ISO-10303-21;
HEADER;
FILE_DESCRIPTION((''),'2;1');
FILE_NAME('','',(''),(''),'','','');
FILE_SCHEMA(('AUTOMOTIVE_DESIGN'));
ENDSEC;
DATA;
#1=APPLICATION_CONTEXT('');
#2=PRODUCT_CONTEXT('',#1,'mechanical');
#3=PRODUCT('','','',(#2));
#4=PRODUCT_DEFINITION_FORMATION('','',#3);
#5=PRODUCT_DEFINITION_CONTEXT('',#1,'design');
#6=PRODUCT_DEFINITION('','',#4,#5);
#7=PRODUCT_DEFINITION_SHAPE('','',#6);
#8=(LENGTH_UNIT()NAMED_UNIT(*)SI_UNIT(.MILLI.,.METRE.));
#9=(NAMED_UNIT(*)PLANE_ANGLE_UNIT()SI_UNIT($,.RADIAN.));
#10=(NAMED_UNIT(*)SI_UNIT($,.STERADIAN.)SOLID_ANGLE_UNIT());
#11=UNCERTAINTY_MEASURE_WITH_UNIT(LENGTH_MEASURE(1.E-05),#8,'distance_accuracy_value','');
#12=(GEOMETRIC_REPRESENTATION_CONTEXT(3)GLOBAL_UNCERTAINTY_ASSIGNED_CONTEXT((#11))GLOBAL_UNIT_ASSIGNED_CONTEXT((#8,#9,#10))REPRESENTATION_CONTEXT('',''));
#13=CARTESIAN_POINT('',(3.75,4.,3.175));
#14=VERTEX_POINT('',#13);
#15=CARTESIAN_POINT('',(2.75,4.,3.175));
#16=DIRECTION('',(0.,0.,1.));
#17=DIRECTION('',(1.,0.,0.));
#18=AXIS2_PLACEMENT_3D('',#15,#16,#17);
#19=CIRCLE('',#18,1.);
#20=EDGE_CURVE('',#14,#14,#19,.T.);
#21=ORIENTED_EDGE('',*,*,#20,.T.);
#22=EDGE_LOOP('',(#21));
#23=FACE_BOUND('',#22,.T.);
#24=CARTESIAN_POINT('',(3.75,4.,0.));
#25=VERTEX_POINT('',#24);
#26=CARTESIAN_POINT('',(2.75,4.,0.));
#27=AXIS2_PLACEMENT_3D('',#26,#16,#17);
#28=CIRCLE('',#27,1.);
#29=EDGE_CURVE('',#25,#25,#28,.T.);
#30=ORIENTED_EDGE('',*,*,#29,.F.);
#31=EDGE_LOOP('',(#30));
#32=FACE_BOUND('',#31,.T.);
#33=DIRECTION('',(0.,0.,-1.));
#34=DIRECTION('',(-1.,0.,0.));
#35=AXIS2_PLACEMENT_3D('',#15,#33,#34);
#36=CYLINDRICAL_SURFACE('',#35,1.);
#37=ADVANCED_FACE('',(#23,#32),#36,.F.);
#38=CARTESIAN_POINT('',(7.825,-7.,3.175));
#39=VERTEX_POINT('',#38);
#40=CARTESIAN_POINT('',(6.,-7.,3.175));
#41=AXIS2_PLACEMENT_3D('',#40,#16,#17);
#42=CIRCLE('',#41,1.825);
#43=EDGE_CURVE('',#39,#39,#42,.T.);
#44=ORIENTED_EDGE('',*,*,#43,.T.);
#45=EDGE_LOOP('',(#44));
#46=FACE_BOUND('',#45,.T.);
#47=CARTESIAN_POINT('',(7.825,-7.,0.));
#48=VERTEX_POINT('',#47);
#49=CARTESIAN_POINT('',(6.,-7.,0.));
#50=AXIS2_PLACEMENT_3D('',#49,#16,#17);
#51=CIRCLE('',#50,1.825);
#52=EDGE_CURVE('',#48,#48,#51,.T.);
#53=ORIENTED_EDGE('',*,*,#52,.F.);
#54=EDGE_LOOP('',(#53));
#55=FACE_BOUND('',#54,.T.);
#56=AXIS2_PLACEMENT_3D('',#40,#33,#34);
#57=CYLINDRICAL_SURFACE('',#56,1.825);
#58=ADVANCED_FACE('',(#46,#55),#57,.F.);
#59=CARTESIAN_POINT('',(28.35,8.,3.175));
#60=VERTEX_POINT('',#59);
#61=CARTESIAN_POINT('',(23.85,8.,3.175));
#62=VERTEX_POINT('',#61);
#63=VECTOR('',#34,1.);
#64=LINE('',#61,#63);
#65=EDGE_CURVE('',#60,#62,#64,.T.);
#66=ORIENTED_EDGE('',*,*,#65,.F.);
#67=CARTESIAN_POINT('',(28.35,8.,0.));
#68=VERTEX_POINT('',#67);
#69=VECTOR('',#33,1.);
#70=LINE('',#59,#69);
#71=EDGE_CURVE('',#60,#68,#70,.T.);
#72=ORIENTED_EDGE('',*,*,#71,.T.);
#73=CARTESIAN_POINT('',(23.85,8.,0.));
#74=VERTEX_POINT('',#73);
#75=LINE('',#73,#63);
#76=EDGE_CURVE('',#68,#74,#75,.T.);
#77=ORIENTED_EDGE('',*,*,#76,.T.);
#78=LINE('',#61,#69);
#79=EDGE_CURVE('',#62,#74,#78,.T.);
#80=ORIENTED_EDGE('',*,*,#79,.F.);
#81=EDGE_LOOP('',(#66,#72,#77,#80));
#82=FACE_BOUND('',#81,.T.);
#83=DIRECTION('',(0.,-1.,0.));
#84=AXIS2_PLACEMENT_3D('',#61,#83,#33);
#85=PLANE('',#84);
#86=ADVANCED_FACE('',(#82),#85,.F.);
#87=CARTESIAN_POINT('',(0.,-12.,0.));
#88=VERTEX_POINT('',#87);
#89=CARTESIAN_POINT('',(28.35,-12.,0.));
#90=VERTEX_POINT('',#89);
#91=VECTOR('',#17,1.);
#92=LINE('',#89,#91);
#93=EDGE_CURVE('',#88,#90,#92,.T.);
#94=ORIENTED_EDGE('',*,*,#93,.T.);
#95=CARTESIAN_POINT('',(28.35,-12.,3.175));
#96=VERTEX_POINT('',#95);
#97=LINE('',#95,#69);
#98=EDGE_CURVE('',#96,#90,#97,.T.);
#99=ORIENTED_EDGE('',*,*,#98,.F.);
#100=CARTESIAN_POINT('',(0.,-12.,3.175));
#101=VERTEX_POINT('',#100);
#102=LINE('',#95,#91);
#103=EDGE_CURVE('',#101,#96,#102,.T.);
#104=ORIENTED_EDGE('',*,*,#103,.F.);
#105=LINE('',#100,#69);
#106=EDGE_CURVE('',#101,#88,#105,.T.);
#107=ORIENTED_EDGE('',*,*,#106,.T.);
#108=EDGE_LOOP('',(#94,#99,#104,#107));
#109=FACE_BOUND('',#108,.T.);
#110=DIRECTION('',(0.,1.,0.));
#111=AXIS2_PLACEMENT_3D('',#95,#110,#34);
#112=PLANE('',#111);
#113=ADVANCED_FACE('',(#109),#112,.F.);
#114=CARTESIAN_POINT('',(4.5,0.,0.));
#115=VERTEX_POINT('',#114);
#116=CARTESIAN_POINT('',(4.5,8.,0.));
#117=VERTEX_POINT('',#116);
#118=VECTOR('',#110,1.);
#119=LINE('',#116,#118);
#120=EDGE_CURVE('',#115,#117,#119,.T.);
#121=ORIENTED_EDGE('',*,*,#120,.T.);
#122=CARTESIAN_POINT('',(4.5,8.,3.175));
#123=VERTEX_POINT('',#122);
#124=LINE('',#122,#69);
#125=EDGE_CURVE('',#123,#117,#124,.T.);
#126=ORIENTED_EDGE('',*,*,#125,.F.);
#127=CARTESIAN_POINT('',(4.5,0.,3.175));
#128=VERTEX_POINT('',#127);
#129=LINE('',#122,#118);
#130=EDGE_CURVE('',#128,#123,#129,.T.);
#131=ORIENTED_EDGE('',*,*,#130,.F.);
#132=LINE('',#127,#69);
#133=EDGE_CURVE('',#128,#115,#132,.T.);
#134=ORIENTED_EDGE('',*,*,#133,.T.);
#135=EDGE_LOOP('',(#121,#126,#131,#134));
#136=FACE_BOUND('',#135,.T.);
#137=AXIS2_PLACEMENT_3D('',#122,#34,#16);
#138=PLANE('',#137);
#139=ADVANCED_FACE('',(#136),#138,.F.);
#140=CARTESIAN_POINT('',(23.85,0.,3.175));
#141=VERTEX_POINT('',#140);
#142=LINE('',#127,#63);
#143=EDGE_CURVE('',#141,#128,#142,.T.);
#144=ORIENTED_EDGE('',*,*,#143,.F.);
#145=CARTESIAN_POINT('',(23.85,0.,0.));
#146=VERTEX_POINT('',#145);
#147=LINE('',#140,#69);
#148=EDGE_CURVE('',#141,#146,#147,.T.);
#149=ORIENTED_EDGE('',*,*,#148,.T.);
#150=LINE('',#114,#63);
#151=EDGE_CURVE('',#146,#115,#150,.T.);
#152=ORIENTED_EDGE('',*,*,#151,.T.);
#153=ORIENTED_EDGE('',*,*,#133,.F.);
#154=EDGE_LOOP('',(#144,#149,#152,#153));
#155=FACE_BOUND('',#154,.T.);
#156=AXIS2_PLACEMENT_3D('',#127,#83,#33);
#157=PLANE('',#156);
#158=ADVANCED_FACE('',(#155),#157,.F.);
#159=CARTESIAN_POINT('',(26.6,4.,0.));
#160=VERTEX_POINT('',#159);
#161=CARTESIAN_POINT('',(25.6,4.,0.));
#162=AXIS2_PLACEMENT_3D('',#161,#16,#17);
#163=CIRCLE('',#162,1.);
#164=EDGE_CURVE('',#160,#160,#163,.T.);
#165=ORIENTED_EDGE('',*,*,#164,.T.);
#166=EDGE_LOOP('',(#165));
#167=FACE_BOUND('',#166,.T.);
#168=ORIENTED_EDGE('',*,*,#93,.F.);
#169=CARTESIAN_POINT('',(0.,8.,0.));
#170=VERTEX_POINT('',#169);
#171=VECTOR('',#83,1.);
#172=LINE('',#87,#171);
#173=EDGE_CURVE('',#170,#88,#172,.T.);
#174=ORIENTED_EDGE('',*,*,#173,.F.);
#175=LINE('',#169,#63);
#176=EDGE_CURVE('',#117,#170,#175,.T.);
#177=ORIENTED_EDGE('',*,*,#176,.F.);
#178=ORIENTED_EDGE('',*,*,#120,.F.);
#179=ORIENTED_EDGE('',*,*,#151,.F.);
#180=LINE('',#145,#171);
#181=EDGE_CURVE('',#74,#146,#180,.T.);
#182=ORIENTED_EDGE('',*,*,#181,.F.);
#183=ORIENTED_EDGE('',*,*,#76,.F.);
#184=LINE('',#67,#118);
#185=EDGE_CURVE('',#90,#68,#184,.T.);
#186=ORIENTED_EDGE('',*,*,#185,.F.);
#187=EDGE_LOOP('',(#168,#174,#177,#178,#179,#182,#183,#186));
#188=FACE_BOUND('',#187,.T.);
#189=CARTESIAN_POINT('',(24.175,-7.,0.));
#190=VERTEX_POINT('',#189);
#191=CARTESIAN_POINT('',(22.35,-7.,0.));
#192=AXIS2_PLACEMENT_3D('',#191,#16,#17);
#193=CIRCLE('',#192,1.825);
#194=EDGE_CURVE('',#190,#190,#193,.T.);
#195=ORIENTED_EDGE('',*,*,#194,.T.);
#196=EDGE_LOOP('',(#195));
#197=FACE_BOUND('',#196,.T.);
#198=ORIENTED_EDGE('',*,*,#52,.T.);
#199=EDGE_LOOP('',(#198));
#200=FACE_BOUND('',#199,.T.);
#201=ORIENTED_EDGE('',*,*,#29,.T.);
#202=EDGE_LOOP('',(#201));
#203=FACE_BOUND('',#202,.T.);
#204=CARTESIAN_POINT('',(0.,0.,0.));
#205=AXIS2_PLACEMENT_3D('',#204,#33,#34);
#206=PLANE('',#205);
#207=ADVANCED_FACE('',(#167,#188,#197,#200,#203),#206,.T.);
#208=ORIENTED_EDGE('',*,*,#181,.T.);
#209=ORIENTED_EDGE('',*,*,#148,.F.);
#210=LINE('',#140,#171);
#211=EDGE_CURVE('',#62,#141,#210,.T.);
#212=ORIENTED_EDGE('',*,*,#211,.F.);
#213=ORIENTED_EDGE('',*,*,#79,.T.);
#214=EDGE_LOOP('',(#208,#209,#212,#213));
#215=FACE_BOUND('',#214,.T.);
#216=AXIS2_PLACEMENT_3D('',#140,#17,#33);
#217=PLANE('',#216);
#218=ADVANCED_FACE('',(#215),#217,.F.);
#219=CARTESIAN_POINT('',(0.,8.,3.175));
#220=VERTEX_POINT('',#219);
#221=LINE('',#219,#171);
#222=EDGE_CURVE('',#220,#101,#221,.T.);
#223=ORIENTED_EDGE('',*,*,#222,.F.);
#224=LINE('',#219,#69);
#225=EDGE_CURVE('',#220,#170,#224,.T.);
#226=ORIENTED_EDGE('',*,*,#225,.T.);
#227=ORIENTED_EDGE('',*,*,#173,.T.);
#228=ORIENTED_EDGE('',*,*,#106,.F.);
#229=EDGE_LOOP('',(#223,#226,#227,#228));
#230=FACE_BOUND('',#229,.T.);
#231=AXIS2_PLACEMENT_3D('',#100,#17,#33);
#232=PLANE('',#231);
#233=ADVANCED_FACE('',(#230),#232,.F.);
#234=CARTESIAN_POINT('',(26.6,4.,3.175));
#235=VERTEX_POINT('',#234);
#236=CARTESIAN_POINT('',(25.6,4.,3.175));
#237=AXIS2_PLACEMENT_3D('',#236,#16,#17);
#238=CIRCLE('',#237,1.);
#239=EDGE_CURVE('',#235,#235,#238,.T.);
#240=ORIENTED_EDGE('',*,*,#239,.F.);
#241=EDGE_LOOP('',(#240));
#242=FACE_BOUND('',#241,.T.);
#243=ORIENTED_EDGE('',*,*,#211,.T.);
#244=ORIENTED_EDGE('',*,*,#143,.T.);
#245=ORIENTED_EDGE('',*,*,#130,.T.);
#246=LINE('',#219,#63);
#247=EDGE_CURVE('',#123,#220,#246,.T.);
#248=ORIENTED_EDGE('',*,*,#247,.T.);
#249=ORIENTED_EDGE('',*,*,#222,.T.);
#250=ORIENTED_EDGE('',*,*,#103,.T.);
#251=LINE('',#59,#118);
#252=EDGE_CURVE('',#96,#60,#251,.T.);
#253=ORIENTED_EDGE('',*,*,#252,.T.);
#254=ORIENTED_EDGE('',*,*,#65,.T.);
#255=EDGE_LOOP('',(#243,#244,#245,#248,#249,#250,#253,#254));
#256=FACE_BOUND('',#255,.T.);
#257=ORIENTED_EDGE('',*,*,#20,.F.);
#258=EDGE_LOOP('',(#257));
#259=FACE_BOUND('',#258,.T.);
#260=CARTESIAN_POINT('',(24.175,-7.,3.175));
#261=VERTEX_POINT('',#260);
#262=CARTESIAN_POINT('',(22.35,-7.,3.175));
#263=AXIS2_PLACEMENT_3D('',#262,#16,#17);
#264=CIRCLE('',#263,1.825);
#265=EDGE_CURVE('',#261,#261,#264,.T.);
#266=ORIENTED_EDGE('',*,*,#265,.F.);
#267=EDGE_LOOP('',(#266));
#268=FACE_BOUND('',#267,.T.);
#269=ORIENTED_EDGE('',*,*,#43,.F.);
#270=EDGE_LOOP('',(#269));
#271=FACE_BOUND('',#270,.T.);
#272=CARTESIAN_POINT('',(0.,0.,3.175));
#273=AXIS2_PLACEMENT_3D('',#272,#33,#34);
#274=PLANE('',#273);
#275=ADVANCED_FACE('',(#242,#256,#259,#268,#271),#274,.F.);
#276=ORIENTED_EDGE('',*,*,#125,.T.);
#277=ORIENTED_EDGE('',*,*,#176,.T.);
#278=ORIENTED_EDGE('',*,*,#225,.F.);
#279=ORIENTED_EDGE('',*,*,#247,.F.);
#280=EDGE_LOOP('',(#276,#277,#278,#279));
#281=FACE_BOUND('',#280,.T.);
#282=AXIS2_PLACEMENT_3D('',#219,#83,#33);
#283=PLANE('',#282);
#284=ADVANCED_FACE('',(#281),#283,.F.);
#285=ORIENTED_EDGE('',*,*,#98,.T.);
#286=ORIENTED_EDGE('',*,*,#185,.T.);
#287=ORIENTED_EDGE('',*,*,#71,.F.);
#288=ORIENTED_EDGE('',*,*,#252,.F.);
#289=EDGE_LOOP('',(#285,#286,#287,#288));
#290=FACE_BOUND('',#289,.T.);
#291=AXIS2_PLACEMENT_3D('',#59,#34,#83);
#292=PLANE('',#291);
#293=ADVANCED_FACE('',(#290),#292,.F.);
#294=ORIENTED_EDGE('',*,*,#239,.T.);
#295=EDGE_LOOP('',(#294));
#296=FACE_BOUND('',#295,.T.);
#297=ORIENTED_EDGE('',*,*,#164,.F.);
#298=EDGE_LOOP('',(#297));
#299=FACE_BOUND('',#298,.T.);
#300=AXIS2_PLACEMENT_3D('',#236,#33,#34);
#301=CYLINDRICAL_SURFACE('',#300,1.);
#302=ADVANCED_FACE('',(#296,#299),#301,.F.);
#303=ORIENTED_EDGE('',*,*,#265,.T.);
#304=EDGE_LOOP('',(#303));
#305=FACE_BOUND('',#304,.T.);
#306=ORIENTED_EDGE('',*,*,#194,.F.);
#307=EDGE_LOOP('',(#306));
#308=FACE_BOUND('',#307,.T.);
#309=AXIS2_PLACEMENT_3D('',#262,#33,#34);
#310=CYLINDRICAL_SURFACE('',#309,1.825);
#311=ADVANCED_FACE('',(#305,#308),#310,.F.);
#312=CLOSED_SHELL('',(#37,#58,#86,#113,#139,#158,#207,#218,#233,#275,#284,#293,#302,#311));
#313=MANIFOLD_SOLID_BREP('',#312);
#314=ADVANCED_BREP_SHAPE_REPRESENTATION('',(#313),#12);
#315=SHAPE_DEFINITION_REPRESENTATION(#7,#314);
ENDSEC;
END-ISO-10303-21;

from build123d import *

# Parameters (mm, degrees)
SKETCH1_R           = 1
SKETCH1_R_2         = 1.825
BOSS_EXTRUDE1_DEPTH = 3.175


with BuildPart() as part:
    # Sketch1 → Boss-Extrude1 (new body)
    with BuildSketch(Plane.XY):
        Polygon((0, 8), (0, 0), (0, -12), (28.35, -12), (28.35, 8), (23.85, 8), (23.85, 0), (4.5, 0), (4.5, 8), align=None)
        with Locations((2.75, 4)):
            Circle(SKETCH1_R, mode=Mode.SUBTRACT)
        with Locations((25.6, 4)):
            Circle(SKETCH1_R, mode=Mode.SUBTRACT)
        with Locations((6, -7)):
            Circle(SKETCH1_R_2, mode=Mode.SUBTRACT)
        with Locations((22.35, -7)):
            Circle(SKETCH1_R_2, mode=Mode.SUBTRACT)
    extrude(amount=BOSS_EXTRUDE1_DEPTH)


solid = part.part
